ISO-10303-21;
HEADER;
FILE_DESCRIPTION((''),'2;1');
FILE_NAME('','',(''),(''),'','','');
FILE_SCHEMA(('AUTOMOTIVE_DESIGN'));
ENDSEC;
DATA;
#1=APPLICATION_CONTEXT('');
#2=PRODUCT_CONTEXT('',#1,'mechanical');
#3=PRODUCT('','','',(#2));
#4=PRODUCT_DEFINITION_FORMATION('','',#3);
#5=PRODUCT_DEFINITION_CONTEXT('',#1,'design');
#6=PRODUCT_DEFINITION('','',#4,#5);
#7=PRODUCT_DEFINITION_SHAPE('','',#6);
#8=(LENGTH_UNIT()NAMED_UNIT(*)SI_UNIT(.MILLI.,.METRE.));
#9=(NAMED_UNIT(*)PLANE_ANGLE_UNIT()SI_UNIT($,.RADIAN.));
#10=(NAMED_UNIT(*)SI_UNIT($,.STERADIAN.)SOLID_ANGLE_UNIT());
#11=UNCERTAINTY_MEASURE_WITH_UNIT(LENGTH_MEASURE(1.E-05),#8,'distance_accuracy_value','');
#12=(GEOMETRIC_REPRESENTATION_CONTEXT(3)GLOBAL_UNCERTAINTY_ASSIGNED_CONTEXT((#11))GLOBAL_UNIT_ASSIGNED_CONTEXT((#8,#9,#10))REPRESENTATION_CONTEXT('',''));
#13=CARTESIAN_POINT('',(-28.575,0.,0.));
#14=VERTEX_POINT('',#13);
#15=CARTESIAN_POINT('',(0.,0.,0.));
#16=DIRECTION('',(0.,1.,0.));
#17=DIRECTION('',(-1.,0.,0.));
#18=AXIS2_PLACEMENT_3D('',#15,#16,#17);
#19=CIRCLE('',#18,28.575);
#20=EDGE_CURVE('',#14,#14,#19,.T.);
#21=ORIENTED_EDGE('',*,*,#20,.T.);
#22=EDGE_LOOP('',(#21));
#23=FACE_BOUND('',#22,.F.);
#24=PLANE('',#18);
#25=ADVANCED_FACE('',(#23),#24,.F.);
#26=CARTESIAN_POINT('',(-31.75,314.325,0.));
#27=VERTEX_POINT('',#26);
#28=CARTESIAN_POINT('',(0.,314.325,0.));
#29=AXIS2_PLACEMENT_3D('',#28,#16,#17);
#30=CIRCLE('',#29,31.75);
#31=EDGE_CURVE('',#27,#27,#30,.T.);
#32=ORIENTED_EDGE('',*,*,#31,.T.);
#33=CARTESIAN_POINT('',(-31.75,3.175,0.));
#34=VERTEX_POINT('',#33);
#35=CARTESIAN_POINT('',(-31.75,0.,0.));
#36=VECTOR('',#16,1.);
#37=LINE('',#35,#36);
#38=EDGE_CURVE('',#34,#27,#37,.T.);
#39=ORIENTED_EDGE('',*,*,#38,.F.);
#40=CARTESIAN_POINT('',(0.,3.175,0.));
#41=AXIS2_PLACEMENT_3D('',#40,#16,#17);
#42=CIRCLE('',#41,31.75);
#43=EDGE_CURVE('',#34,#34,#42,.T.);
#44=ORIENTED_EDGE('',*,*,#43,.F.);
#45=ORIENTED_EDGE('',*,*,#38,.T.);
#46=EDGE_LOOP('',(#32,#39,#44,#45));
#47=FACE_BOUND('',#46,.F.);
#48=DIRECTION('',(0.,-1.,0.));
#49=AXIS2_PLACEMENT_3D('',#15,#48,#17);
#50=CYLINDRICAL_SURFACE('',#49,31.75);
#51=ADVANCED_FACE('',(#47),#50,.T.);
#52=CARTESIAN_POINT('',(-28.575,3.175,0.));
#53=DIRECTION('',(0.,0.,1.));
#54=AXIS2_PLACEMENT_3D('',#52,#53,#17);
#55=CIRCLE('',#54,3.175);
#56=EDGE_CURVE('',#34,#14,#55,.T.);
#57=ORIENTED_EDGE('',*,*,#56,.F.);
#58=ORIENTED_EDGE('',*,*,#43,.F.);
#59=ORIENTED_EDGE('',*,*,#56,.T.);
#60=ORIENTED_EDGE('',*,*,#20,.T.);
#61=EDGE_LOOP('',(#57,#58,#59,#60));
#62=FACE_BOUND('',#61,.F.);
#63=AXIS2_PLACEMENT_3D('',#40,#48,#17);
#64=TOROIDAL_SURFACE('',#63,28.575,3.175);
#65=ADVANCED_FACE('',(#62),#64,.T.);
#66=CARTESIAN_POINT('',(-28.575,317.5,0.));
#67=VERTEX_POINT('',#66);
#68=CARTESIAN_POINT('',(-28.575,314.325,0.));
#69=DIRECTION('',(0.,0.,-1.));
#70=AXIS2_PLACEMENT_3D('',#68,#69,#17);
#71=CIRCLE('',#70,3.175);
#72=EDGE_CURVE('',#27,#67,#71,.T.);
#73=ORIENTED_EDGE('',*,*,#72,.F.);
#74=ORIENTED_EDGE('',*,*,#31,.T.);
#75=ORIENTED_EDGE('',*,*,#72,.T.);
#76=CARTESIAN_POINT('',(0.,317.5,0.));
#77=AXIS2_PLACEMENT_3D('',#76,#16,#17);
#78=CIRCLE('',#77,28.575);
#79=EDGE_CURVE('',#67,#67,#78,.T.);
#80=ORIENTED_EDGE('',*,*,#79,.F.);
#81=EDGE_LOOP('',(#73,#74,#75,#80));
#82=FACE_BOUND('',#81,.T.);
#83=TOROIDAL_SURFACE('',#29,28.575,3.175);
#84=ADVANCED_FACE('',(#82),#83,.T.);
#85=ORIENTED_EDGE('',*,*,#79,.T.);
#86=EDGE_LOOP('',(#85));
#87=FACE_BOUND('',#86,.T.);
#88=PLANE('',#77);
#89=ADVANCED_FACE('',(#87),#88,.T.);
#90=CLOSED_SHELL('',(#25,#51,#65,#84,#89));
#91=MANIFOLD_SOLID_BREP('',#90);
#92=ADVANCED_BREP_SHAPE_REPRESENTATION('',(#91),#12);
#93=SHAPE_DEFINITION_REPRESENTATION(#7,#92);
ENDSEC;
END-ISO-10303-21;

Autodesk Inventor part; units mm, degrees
ref_plane "YZ Plane" through (0, 0, 0) normal (1, 0, 0) x (0, 1, 0)
ref_plane "XZ Plane" through (0, 0, 0) normal (0, 1, 0) x (-1, 0, 0)
ref_plane "XY Plane" through (0, 0, 0) normal (0, 0, 1) x (1, 0, 0)
sketch "Sketch1" plane through (0, 0, 0) normal (0, 1, 0) x (-1, 0, 0)
  circle A0 centre (0, 0) radius 31.75
  dimension "d0" = 63.5
extrude "Extrusion1" add sketch "Sketch1" along normal blind 317.5
fillet "Fillet1" radius 3.175 2 edges at (31.75, 317.5, 0) (31.75, 0, 0)
properties part number "AirTank" material "Stainless Steel"
